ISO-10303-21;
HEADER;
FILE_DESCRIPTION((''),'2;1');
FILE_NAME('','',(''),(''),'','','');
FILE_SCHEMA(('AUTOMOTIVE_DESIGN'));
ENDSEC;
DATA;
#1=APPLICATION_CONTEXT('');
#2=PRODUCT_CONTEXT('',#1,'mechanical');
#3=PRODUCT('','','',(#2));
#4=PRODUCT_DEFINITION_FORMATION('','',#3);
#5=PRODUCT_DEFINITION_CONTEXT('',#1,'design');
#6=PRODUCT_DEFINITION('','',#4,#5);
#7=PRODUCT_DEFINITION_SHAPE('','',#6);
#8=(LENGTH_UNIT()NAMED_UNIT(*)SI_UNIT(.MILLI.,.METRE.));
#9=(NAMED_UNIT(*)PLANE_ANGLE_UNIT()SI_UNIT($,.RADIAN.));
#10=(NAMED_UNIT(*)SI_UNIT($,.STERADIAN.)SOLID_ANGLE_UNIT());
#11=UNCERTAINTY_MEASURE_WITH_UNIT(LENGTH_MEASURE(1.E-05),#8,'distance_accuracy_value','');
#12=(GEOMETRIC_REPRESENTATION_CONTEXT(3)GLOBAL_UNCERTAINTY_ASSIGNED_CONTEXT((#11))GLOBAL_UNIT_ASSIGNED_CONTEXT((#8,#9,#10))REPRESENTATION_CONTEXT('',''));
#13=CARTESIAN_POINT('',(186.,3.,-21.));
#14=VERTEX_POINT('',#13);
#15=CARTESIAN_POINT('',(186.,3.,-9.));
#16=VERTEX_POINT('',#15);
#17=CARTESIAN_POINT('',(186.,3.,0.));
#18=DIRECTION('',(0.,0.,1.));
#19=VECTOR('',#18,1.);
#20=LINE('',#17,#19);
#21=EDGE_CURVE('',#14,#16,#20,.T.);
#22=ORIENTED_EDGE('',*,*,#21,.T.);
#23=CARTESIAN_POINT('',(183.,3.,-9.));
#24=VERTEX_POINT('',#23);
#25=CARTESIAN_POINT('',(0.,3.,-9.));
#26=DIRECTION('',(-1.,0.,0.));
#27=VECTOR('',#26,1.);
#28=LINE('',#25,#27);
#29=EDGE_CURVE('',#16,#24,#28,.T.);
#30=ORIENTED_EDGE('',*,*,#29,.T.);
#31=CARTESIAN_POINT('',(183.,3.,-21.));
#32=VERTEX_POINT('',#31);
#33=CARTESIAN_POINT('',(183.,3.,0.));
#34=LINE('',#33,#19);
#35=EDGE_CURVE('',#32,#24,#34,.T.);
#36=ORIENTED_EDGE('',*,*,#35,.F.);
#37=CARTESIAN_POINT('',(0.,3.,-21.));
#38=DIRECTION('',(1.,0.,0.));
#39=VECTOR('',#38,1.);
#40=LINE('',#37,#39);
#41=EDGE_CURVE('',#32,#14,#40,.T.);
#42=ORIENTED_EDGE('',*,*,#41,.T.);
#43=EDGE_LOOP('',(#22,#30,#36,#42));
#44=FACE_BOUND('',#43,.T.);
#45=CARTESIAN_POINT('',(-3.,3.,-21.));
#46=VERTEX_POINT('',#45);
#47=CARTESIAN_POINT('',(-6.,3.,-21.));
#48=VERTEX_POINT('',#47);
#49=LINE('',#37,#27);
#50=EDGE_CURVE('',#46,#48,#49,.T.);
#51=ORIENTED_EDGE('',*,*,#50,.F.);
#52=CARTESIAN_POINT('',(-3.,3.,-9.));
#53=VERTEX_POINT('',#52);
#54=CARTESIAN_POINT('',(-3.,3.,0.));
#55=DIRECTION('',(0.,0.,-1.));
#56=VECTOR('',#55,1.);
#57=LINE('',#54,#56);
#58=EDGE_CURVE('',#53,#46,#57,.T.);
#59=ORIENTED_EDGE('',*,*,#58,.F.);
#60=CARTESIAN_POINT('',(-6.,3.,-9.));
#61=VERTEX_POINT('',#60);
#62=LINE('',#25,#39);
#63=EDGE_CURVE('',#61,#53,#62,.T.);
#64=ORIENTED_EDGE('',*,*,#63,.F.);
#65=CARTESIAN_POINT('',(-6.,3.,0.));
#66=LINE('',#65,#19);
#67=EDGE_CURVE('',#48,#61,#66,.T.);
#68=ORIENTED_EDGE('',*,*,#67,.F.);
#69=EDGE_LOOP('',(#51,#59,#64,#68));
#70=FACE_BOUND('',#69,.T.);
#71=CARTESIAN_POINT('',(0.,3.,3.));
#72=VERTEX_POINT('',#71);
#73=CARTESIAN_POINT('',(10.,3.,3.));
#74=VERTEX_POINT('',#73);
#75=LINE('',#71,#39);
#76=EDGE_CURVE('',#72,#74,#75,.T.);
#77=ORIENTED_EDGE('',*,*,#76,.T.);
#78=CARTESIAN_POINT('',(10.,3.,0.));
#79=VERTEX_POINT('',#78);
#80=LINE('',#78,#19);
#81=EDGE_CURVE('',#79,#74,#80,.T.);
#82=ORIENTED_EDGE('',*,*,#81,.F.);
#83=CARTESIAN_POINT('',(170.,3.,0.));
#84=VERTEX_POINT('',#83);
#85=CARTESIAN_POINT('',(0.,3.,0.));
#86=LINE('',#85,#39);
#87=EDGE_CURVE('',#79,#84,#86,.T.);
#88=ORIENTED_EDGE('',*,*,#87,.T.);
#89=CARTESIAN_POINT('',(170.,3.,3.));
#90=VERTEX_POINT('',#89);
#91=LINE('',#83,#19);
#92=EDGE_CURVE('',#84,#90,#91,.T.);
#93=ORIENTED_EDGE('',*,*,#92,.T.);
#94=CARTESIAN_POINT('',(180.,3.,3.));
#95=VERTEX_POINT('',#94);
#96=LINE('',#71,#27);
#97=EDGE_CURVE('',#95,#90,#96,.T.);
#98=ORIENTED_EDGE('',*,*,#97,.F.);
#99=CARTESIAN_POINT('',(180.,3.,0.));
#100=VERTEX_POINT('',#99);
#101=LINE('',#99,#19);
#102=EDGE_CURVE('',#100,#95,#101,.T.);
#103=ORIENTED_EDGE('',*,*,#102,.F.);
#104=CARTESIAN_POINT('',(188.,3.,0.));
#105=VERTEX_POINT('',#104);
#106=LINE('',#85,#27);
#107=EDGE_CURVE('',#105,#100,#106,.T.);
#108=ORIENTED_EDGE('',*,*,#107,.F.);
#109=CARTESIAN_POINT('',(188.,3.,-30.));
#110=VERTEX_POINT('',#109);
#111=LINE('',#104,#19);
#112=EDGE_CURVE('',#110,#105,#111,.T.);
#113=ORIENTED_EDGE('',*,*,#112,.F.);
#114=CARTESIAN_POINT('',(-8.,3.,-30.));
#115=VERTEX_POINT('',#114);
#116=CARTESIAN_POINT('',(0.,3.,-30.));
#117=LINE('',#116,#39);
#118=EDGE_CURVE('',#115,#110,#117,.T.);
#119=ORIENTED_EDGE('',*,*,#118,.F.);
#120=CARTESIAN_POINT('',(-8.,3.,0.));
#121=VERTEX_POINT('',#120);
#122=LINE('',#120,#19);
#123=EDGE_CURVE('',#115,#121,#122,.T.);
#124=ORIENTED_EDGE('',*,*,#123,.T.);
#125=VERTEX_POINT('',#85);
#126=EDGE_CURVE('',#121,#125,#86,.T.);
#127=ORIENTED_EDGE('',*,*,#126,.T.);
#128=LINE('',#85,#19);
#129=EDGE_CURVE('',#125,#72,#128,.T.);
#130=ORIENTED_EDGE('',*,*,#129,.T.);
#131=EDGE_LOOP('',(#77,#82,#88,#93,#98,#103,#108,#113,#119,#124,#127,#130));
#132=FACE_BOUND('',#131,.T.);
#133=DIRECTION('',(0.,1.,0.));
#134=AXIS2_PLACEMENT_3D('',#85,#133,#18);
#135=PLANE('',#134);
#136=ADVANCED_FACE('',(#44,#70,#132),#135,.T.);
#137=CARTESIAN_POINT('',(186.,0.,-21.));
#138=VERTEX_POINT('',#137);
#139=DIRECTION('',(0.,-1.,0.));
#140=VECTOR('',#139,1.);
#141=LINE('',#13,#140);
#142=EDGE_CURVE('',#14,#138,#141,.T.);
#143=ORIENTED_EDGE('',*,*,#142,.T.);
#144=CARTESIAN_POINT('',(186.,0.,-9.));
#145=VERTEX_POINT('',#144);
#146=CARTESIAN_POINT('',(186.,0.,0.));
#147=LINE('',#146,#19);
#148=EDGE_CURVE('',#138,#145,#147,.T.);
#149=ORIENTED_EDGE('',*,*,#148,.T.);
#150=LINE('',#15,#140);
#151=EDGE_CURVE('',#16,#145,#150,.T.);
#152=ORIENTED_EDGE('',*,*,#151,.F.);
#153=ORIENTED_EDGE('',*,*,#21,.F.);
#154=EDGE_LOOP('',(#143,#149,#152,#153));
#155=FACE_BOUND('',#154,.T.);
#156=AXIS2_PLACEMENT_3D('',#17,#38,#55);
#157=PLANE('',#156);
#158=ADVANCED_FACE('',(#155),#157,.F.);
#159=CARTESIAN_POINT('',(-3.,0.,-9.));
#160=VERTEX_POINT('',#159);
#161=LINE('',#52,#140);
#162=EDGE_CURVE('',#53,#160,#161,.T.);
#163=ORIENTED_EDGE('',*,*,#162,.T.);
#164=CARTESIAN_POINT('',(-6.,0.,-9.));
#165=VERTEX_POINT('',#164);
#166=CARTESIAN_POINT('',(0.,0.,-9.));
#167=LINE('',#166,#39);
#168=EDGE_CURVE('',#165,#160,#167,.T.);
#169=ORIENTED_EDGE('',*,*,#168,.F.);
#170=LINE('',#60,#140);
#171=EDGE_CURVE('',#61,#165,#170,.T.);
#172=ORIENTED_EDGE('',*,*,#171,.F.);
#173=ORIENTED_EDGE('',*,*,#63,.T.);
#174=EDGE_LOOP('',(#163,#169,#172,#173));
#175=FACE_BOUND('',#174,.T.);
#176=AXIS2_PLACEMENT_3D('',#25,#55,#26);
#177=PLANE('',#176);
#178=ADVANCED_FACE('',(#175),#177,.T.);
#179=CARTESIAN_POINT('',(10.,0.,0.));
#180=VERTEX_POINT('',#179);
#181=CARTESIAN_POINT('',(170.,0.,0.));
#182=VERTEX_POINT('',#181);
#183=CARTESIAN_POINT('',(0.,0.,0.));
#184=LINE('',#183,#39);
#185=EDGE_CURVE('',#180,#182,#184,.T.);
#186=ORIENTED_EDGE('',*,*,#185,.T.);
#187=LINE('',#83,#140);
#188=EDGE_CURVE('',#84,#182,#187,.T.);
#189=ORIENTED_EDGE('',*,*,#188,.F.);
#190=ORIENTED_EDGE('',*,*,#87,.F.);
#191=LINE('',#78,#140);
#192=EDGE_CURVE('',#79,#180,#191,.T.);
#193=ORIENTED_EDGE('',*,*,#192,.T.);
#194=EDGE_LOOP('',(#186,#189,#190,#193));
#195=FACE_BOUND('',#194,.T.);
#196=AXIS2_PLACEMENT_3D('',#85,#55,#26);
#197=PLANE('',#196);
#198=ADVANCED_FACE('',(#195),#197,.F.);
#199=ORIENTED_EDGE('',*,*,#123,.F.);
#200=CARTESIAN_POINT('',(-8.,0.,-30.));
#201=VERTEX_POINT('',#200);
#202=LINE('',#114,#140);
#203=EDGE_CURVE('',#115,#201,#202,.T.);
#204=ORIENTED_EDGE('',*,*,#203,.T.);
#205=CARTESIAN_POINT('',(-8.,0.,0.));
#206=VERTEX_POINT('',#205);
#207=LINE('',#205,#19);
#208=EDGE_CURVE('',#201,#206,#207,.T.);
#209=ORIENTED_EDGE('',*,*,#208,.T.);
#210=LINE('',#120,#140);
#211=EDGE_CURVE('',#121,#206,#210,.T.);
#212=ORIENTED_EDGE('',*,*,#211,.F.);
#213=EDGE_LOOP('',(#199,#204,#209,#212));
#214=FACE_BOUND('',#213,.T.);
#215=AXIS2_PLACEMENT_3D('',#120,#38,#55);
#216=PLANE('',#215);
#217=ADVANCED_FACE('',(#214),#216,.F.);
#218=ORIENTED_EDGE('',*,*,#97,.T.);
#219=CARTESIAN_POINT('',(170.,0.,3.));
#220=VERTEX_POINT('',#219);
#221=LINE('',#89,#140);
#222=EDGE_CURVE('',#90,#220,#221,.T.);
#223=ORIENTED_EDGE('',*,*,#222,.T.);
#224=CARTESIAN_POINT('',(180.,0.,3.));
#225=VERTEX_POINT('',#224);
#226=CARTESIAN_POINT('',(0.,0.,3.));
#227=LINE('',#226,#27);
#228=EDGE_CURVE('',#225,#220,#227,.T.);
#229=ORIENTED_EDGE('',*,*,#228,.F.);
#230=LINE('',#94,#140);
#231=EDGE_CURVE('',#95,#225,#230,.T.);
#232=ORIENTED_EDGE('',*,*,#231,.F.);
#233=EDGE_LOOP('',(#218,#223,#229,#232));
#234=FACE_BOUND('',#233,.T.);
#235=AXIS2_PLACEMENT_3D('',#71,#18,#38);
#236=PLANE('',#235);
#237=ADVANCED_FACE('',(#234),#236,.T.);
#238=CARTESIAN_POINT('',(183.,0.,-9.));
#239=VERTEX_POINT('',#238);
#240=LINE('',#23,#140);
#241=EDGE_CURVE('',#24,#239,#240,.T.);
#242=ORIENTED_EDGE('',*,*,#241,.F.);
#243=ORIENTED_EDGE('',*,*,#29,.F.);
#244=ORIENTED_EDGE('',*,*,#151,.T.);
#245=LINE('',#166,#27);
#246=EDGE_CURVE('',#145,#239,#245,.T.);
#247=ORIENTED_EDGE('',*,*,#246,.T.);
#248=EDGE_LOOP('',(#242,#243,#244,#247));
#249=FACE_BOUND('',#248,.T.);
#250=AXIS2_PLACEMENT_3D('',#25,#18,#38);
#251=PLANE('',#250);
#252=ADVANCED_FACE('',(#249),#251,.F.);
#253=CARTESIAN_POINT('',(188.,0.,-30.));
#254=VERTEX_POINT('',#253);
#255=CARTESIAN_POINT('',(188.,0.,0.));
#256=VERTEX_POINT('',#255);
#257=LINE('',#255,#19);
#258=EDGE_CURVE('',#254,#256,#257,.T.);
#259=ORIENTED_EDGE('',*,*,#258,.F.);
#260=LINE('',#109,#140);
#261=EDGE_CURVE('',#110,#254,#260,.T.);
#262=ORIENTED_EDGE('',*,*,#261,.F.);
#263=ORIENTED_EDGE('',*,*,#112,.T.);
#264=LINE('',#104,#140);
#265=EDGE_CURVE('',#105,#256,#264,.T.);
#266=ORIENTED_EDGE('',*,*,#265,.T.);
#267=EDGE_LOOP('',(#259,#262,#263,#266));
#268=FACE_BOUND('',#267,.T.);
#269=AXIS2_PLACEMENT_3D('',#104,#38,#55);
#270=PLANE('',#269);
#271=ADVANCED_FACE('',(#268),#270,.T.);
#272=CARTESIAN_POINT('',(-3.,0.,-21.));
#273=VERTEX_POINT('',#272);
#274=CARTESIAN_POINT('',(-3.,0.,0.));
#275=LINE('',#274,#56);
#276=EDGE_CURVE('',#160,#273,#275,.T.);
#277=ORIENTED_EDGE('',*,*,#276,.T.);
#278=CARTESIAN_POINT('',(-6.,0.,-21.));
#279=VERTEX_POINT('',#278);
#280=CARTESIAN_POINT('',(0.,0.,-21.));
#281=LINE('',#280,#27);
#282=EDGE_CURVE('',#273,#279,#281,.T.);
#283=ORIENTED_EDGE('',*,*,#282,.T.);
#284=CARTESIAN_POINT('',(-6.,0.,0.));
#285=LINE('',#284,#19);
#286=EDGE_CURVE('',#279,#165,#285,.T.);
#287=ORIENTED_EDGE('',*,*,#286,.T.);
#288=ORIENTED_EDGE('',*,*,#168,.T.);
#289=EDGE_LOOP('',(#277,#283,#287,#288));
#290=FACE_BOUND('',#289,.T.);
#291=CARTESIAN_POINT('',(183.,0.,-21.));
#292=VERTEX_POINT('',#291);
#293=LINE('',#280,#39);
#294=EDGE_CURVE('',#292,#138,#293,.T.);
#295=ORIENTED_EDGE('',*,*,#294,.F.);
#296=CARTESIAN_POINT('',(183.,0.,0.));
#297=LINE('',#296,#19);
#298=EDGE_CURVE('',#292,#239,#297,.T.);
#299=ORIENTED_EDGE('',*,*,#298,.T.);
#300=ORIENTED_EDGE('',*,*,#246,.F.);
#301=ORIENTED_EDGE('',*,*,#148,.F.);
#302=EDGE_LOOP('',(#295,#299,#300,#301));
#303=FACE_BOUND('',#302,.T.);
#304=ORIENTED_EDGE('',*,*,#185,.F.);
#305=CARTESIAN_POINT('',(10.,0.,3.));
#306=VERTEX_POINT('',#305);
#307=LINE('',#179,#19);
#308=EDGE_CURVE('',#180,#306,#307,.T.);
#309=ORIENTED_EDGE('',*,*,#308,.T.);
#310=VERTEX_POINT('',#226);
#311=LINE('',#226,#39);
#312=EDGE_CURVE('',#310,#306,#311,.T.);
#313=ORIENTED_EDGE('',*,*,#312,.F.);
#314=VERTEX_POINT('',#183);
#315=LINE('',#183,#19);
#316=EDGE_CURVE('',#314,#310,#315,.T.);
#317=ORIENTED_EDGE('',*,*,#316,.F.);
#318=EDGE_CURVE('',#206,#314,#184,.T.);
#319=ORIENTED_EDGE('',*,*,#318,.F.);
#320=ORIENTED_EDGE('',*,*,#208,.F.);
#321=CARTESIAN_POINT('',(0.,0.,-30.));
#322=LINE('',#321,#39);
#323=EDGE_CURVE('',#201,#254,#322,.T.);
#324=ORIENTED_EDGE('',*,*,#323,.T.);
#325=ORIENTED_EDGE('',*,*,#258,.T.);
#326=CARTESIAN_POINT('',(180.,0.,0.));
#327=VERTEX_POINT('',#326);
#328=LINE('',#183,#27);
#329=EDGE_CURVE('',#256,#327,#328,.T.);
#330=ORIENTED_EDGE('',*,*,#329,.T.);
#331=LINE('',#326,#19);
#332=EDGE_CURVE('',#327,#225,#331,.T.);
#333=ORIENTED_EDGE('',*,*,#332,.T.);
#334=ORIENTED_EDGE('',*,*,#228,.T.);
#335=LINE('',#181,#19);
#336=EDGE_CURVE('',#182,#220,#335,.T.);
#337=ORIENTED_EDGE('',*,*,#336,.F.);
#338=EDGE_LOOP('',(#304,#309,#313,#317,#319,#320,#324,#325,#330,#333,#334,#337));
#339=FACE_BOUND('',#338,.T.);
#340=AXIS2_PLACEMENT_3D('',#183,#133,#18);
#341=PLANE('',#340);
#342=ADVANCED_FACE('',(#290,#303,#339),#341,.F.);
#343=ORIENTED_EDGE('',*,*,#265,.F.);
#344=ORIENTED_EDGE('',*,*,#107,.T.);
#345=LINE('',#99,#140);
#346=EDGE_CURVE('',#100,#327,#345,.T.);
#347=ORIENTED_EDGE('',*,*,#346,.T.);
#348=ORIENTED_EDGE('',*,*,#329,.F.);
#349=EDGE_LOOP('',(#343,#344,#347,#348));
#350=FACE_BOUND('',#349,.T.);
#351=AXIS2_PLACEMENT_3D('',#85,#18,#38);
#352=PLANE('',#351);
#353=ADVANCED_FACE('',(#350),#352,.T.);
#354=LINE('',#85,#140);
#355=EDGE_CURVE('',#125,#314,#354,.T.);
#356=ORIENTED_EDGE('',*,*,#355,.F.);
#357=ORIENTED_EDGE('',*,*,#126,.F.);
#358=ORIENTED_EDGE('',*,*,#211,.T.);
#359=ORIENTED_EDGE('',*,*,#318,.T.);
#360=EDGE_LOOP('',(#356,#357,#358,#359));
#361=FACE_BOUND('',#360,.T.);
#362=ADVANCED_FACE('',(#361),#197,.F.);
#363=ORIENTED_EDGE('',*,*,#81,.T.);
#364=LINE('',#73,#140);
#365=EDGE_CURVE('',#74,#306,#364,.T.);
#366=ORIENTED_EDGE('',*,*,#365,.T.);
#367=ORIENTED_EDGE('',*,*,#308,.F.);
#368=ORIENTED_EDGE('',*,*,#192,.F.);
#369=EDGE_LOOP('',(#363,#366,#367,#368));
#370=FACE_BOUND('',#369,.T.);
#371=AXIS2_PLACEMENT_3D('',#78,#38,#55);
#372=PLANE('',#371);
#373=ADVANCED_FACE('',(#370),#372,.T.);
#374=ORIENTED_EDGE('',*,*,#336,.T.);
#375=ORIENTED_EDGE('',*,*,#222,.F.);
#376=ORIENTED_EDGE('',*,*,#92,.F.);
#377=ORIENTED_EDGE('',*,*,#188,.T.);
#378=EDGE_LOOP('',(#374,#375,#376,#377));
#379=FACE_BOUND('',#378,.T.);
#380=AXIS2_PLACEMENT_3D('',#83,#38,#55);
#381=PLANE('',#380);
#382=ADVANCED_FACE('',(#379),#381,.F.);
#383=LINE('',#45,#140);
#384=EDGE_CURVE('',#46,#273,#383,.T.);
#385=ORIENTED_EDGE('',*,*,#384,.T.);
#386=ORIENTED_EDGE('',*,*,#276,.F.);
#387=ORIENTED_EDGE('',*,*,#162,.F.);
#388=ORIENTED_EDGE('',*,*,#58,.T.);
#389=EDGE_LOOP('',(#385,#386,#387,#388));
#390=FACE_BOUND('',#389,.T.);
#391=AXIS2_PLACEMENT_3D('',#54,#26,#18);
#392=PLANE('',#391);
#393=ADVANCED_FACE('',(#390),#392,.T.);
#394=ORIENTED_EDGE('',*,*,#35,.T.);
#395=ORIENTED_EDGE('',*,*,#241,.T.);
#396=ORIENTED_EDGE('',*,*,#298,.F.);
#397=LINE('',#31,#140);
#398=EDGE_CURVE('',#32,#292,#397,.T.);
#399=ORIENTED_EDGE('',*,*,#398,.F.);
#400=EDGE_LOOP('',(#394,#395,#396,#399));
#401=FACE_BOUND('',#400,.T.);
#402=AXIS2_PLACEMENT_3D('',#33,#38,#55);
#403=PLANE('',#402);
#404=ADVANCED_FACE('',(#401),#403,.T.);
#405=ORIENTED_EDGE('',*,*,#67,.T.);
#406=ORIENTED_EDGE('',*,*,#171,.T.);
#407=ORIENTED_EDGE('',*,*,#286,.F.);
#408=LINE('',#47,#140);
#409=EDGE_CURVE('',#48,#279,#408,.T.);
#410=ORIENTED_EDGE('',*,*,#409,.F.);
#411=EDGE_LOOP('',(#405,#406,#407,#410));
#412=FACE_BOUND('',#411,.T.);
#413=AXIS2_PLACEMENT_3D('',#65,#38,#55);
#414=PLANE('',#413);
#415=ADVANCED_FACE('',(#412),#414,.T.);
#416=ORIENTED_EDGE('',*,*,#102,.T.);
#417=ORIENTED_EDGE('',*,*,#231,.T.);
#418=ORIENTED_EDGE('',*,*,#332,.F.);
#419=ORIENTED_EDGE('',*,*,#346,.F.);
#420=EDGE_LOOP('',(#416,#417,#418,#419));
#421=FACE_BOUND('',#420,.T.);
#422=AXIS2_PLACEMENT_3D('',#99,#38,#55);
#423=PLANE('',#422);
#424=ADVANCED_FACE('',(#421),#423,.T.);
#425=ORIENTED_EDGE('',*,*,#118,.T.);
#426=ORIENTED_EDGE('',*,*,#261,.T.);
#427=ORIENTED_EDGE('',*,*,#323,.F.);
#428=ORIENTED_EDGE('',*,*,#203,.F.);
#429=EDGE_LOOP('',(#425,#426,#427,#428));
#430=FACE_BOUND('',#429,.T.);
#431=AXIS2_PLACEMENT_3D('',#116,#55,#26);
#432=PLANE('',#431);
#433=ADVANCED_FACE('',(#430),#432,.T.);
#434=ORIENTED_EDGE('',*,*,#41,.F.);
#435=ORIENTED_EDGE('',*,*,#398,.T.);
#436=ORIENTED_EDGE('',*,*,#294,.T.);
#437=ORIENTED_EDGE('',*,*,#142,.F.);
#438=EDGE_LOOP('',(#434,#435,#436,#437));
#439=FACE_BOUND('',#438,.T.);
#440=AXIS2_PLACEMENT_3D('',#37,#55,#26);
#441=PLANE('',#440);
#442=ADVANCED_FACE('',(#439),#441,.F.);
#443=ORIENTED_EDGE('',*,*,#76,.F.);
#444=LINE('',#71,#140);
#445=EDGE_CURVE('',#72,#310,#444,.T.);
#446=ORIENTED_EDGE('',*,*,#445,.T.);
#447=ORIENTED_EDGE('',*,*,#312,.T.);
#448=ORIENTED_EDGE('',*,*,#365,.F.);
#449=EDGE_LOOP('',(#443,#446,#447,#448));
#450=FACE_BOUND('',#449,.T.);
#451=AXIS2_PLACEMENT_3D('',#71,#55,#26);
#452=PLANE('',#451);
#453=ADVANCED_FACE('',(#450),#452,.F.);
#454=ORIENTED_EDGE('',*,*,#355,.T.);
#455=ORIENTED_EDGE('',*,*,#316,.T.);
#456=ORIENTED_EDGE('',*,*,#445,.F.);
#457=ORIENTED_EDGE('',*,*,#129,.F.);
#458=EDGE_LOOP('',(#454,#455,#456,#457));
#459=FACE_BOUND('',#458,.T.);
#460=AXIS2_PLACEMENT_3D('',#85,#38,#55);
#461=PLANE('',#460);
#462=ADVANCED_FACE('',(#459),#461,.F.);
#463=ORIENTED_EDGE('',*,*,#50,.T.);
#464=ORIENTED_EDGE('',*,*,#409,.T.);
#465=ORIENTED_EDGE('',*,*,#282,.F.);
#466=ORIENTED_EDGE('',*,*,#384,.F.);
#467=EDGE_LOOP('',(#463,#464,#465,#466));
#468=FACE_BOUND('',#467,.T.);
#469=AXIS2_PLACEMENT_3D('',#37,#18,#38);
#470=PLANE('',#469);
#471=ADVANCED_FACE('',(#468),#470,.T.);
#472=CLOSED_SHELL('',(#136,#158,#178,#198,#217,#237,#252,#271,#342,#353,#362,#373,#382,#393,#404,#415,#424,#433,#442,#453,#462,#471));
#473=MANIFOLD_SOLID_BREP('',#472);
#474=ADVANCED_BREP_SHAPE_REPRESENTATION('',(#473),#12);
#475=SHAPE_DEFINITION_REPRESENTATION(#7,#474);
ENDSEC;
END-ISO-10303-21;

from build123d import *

# Parameters (mm, degrees)
SKETCH_1_W      = 3
SKETCH_1_H      = 12
EXTRUDE_1_DEPTH = 3


with BuildPart() as part:
    # 草图1 → 凸台-拉伸1 (new body)
    with BuildSketch(Plane(origin=(0, 0, 0), x_dir=(1, 0, 0), z_dir=(0, 1, 0))):
        Polygon((-8, 30), (-8, 0), (-3, 0), (0, 0), (0, -3), (10, -3), (10, 0), (170, 0), (170, -3), (180, -3), (180, 0), (183, 0), (188, 0), (188, 30), (183, 30), (180, 30), (0, 30), (-3, 30), align=None)
        with Locations((184.5, 15)):
            Rectangle(SKETCH_1_W, SKETCH_1_H, mode=Mode.SUBTRACT)
        with Locations((-4.5, 15)):
            Rectangle(SKETCH_1_W, SKETCH_1_H, mode=Mode.SUBTRACT)
    extrude(amount=EXTRUDE_1_DEPTH)


solid = part.part
